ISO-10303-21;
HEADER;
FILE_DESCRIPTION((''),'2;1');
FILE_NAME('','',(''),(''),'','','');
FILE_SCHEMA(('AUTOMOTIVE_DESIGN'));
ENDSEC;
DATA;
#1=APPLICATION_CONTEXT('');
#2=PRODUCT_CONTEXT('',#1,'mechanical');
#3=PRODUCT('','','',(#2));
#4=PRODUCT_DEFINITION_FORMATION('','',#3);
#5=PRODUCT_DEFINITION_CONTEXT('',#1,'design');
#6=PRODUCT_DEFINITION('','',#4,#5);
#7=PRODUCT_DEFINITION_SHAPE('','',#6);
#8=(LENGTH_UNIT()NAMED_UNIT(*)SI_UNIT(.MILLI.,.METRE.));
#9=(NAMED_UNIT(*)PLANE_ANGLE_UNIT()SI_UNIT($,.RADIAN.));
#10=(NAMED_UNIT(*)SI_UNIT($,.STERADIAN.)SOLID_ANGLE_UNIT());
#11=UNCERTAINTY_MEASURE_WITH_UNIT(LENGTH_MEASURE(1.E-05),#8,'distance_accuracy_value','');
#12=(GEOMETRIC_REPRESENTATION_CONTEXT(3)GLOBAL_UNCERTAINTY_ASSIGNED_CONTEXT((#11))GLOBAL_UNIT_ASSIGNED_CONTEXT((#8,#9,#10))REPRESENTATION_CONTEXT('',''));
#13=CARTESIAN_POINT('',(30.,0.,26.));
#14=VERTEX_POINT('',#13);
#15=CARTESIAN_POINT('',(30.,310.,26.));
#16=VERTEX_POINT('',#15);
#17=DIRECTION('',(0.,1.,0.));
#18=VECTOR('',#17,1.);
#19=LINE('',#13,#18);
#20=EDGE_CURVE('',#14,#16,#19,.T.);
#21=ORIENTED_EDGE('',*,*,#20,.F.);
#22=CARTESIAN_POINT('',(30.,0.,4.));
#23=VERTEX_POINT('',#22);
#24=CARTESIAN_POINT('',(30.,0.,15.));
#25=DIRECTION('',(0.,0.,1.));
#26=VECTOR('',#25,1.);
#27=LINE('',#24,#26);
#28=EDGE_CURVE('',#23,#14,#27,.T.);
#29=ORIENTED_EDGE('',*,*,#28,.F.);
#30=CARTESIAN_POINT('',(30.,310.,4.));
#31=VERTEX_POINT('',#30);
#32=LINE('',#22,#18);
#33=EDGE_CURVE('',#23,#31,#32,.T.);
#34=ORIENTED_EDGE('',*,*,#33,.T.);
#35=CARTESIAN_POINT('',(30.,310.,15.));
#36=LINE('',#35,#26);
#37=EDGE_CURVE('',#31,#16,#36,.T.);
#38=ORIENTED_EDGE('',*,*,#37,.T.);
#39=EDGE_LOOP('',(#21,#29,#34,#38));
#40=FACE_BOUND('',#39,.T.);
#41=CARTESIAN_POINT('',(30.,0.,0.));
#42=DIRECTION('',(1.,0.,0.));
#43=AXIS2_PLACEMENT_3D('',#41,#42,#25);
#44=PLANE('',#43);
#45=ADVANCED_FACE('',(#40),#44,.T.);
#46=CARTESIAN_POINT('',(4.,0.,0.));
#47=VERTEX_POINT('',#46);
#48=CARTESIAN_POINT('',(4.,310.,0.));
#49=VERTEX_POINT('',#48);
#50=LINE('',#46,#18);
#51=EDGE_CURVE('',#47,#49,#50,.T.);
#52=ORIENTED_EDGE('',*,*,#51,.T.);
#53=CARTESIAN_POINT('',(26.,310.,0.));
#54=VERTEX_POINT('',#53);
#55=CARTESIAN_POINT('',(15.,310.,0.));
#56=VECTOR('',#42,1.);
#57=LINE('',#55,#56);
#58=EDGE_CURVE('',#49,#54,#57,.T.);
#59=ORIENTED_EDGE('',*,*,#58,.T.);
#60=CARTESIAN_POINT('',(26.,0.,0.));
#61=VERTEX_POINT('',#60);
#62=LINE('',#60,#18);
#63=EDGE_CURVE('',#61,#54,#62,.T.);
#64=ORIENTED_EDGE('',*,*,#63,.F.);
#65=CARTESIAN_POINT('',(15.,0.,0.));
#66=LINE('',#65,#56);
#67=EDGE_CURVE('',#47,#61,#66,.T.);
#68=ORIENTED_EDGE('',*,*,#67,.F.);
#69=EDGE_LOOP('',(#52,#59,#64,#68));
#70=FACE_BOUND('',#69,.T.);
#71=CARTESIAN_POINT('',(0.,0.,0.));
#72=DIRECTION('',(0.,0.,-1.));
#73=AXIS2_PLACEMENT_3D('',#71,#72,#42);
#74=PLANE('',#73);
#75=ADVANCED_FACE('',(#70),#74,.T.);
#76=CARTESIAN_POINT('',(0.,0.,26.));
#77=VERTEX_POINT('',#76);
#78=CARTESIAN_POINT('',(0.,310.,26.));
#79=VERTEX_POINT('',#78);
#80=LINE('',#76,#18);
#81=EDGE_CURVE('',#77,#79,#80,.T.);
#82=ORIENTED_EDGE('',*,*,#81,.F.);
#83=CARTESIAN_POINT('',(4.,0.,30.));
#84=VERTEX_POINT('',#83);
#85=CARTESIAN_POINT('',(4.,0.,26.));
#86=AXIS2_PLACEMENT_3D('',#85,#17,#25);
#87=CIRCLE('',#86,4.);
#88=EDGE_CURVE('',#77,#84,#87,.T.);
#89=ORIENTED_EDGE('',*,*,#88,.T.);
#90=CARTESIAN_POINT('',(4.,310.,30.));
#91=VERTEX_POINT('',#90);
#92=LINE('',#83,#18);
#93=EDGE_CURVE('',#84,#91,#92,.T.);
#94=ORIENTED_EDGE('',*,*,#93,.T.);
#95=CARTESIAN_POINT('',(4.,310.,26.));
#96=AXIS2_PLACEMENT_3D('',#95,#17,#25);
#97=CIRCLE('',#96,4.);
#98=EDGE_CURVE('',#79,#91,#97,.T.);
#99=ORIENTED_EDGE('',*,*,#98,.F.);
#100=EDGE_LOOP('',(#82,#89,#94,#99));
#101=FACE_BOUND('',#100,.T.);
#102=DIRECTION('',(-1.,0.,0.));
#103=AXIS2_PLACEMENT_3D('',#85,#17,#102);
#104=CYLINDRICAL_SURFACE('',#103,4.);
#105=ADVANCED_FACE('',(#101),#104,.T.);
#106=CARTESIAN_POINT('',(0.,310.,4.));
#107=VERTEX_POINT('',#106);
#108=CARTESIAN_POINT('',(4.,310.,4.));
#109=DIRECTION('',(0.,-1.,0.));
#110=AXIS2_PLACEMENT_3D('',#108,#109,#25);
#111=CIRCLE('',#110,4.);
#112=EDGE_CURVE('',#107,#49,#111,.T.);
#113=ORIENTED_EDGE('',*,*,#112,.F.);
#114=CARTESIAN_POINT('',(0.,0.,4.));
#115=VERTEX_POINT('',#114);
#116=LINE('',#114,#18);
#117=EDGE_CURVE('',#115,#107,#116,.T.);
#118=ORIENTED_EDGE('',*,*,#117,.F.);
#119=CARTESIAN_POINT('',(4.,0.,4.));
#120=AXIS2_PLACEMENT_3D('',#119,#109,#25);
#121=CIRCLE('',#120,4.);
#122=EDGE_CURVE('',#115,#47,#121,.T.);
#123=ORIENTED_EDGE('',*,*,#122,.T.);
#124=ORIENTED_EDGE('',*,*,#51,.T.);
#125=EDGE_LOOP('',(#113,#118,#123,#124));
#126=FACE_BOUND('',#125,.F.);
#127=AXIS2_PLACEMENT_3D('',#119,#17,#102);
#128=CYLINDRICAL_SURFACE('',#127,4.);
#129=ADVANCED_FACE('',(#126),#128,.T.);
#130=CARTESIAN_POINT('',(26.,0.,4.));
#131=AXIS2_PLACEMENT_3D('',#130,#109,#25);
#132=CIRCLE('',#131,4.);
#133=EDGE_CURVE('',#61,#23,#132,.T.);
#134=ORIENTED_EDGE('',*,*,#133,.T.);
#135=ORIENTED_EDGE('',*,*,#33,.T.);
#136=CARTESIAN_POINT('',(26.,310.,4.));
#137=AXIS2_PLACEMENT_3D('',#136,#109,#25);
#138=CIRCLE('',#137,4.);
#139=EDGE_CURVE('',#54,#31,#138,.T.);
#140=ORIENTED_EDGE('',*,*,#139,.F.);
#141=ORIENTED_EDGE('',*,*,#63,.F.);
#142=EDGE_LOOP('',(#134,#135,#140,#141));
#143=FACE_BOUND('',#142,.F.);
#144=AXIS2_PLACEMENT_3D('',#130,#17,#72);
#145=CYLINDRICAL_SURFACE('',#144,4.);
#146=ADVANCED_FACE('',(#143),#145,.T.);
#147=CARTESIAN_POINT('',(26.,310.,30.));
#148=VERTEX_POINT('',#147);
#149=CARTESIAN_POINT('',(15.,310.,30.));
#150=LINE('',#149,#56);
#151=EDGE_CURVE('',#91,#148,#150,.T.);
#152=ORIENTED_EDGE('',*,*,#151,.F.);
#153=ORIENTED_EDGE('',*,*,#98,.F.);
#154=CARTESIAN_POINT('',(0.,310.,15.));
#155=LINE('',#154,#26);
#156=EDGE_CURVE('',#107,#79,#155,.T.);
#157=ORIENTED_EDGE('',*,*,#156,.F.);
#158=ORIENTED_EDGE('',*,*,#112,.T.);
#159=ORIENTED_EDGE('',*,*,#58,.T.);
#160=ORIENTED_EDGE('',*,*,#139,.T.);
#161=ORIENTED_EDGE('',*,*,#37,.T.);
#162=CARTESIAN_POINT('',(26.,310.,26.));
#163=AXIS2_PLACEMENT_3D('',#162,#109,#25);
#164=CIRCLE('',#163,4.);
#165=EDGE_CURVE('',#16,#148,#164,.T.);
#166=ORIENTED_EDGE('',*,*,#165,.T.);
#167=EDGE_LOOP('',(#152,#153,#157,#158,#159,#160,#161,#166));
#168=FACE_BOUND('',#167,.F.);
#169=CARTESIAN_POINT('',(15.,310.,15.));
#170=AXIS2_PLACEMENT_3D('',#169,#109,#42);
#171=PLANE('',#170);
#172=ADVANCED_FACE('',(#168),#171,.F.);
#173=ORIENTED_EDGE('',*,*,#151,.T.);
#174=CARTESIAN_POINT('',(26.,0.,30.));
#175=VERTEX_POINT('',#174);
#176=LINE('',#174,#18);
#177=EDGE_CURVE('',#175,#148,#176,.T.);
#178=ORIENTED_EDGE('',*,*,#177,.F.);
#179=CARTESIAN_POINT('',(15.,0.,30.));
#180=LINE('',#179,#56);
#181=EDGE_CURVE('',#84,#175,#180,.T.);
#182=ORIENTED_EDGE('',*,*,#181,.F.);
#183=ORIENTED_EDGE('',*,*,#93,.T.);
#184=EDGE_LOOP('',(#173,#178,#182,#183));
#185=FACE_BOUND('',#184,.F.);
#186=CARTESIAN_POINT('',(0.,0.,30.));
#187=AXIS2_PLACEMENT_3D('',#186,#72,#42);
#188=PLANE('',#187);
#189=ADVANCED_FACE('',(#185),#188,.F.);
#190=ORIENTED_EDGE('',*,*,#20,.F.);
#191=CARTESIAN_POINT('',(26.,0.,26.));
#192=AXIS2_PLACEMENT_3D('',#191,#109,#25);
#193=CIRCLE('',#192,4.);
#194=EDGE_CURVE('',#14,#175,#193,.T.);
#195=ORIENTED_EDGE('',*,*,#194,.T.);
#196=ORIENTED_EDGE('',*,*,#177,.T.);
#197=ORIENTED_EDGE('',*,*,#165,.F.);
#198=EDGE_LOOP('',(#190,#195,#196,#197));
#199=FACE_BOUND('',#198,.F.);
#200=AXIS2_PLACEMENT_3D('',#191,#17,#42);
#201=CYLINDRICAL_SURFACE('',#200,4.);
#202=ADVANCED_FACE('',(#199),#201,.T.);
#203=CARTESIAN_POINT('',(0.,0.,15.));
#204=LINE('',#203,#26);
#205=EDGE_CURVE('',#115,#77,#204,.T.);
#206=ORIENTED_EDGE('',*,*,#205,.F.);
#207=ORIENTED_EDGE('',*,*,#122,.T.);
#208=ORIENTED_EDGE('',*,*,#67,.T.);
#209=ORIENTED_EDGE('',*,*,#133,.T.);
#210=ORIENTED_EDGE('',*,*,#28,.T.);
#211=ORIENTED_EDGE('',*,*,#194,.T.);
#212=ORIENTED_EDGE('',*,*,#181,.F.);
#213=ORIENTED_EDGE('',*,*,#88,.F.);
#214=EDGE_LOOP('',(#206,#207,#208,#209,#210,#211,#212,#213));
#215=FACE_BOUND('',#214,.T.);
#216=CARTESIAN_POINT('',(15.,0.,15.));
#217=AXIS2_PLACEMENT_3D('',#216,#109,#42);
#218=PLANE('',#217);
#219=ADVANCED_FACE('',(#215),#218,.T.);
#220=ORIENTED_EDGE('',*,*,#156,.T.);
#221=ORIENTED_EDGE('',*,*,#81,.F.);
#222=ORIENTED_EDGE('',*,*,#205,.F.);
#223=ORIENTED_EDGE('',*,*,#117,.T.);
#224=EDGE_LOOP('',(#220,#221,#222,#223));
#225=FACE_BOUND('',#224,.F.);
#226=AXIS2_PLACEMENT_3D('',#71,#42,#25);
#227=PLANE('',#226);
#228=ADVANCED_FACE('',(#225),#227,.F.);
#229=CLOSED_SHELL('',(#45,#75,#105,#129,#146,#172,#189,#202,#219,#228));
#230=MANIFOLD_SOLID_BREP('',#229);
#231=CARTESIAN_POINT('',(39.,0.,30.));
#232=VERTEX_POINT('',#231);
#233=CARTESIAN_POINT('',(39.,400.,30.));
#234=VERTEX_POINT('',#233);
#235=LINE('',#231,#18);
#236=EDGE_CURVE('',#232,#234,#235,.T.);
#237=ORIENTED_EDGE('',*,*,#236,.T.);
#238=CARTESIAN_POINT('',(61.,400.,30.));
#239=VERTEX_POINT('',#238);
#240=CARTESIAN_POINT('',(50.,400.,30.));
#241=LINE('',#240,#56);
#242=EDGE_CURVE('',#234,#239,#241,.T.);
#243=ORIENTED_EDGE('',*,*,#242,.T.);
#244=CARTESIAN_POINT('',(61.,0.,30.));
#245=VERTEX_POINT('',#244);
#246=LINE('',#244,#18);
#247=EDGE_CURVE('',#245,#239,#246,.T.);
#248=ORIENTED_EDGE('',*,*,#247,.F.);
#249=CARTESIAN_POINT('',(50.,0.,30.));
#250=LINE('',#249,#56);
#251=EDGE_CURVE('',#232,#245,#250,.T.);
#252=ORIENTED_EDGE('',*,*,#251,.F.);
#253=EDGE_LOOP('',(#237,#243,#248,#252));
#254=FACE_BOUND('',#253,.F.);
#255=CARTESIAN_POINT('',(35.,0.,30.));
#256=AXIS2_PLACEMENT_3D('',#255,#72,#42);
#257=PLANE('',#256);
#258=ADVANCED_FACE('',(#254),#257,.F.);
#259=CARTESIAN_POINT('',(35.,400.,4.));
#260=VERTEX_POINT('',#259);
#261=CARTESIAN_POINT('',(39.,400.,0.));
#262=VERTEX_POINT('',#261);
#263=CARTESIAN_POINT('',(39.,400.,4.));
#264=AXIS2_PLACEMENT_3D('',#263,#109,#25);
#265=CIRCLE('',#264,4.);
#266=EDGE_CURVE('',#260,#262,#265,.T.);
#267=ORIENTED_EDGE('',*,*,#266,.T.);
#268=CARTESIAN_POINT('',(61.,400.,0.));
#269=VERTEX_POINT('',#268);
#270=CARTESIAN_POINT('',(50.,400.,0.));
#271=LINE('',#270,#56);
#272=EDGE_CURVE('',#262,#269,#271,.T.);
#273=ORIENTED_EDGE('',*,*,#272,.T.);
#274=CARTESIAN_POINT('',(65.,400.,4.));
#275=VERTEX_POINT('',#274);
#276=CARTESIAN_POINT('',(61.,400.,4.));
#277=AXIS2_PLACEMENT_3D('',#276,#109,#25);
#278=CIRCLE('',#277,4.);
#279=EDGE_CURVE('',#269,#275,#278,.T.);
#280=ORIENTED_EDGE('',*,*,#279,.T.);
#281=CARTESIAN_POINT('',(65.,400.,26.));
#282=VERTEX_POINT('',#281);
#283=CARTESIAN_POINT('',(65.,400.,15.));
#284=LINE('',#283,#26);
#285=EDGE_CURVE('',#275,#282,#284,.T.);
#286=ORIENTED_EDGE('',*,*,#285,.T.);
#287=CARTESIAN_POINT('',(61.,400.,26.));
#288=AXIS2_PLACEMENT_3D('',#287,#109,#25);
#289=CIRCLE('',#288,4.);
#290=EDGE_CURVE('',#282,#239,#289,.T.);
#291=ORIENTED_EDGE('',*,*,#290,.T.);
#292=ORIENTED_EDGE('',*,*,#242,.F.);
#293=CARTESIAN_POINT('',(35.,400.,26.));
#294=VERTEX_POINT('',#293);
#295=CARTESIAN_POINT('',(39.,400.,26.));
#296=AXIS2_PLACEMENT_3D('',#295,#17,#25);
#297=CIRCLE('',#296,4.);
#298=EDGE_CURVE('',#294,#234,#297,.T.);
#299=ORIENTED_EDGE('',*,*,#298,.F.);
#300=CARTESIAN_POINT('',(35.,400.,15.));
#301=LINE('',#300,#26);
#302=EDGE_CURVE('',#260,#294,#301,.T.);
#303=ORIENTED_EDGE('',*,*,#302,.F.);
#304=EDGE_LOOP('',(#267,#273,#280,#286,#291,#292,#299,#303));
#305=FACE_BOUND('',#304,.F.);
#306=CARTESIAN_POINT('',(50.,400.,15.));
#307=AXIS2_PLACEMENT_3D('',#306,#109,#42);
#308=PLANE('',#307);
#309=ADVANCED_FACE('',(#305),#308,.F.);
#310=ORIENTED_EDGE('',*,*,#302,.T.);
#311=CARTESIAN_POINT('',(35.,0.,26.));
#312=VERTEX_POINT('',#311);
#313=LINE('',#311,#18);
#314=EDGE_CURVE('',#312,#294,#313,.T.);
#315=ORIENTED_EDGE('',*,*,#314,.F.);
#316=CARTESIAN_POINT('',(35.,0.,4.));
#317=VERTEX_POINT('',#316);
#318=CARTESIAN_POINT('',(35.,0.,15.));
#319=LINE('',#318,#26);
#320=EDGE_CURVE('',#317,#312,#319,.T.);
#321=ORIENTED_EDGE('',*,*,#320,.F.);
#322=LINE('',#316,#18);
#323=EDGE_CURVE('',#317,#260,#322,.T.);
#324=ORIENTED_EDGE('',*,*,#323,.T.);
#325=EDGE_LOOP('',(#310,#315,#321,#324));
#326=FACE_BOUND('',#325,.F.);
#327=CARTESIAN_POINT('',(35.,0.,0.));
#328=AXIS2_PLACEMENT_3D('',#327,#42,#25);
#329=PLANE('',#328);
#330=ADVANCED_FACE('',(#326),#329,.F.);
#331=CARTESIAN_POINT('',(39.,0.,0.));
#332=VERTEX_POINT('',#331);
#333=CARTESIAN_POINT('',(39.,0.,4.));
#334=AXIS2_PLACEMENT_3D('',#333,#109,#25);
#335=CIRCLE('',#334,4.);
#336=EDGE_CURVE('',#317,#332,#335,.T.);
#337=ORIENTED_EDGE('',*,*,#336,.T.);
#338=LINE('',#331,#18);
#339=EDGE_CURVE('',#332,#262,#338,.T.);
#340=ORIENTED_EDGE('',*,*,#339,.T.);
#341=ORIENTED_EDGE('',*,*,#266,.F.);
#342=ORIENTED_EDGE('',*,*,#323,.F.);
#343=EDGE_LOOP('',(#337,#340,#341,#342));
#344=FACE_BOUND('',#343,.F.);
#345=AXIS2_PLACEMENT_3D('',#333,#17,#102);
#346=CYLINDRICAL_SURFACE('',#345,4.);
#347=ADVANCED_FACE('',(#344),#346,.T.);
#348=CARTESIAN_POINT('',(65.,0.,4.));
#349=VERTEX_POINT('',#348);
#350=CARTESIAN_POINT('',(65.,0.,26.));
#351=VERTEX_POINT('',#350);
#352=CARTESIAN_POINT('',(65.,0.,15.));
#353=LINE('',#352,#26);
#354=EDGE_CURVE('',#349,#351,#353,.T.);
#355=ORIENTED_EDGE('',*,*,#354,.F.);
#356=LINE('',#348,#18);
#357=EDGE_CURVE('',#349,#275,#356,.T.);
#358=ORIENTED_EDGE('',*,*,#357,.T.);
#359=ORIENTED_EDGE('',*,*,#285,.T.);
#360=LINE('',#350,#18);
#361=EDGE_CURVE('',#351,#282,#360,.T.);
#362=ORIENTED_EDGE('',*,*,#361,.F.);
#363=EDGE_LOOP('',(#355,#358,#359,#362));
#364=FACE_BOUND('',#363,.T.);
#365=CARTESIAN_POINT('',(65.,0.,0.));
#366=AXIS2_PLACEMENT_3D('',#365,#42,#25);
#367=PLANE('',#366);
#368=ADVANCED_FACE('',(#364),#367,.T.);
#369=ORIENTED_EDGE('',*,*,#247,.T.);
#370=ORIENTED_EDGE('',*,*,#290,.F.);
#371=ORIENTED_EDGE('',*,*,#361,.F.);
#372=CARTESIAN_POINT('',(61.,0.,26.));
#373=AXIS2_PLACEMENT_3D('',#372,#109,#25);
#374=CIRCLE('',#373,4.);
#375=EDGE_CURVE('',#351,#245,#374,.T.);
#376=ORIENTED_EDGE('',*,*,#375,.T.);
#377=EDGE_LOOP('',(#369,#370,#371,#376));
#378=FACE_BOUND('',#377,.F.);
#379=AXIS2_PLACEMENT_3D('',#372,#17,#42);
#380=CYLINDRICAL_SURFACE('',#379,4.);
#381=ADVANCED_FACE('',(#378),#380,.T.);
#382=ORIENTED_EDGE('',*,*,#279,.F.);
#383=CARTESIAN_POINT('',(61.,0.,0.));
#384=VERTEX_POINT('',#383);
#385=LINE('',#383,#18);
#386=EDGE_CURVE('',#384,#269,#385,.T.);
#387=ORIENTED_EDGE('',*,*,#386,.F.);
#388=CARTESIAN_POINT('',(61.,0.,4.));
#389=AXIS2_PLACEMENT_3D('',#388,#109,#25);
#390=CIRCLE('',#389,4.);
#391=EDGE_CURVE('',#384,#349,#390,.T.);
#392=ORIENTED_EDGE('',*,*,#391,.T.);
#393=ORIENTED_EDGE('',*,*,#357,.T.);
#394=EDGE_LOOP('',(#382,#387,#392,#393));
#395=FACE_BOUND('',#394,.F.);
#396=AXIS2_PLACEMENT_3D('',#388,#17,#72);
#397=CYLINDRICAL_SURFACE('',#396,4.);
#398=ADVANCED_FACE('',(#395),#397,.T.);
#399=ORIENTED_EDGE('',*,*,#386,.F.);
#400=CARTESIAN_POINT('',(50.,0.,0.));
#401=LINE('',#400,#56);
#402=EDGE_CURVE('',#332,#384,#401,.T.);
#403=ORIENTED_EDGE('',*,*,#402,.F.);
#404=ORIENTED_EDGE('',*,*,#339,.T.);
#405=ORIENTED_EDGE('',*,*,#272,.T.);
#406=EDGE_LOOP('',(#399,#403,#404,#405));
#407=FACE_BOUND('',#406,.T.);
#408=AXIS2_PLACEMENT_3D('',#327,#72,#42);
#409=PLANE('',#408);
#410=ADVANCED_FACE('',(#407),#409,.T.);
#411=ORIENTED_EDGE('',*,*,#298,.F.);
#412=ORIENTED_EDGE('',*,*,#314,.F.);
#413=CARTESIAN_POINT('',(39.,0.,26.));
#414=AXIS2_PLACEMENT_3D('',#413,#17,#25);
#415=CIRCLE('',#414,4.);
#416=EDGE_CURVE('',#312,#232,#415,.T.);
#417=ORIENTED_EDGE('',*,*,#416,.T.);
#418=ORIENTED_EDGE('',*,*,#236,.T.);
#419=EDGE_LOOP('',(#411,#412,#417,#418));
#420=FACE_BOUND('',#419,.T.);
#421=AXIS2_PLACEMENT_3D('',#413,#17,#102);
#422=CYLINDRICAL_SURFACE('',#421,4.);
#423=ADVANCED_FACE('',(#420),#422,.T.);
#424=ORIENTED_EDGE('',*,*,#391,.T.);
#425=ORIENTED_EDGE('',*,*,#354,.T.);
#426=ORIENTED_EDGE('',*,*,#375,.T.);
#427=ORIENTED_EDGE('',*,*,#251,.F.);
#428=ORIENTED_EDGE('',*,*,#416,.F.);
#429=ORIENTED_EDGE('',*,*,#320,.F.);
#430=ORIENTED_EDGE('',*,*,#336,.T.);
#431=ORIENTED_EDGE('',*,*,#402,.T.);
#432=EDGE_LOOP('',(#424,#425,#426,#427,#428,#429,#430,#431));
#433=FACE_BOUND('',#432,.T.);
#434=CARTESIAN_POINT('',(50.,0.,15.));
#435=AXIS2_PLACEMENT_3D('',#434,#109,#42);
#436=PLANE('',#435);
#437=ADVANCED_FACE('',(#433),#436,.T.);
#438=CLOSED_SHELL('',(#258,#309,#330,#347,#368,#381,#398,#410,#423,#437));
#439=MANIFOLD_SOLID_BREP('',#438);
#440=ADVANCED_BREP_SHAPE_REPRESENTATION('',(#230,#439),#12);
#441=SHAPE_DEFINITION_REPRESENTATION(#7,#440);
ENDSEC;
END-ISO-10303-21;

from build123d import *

# Parameters (mm, degrees)
F0_W     = 30
F0_H     = 30
F1_DEPTH = 310
F2_R     = 4
F3_W     = 30
F3_H     = 30
F4_DEPTH = 400
F5_R     = 4


with BuildPart() as f1:
    # F0 (on Front) → F1 (new body)
    with BuildSketch(Plane.XZ):
        with Locations((15, 15)):
            Rectangle(F0_W, F0_H)
    extrude(amount=-F1_DEPTH)

    # F2
    f2_edges = [f1.edges().sort_by_distance(p)[0] for p in [
        (30, 155, 30),
        (30, 155, 0),
        (0, 155, 30),
        (0, 155, 0),
    ]]
    fillet(f2_edges, radius=F2_R)


with BuildPart() as f4:
    # F3 (on Front) → F4 (new body)
    with BuildSketch(Plane.XZ):
        with Locations((50, 15)):
            Rectangle(F3_W, F3_H)
    extrude(amount=-F4_DEPTH)

    # F5
    f5_edges = [f4.edges().sort_by_distance(p)[0] for p in [
        (35, 200, 30),
        (65, 200, 30),
        (65, 200, 0),
        (35, 200, 0),
    ]]
    fillet(f5_edges, radius=F5_R)


solid = Compound([f1.part, f4.part])
